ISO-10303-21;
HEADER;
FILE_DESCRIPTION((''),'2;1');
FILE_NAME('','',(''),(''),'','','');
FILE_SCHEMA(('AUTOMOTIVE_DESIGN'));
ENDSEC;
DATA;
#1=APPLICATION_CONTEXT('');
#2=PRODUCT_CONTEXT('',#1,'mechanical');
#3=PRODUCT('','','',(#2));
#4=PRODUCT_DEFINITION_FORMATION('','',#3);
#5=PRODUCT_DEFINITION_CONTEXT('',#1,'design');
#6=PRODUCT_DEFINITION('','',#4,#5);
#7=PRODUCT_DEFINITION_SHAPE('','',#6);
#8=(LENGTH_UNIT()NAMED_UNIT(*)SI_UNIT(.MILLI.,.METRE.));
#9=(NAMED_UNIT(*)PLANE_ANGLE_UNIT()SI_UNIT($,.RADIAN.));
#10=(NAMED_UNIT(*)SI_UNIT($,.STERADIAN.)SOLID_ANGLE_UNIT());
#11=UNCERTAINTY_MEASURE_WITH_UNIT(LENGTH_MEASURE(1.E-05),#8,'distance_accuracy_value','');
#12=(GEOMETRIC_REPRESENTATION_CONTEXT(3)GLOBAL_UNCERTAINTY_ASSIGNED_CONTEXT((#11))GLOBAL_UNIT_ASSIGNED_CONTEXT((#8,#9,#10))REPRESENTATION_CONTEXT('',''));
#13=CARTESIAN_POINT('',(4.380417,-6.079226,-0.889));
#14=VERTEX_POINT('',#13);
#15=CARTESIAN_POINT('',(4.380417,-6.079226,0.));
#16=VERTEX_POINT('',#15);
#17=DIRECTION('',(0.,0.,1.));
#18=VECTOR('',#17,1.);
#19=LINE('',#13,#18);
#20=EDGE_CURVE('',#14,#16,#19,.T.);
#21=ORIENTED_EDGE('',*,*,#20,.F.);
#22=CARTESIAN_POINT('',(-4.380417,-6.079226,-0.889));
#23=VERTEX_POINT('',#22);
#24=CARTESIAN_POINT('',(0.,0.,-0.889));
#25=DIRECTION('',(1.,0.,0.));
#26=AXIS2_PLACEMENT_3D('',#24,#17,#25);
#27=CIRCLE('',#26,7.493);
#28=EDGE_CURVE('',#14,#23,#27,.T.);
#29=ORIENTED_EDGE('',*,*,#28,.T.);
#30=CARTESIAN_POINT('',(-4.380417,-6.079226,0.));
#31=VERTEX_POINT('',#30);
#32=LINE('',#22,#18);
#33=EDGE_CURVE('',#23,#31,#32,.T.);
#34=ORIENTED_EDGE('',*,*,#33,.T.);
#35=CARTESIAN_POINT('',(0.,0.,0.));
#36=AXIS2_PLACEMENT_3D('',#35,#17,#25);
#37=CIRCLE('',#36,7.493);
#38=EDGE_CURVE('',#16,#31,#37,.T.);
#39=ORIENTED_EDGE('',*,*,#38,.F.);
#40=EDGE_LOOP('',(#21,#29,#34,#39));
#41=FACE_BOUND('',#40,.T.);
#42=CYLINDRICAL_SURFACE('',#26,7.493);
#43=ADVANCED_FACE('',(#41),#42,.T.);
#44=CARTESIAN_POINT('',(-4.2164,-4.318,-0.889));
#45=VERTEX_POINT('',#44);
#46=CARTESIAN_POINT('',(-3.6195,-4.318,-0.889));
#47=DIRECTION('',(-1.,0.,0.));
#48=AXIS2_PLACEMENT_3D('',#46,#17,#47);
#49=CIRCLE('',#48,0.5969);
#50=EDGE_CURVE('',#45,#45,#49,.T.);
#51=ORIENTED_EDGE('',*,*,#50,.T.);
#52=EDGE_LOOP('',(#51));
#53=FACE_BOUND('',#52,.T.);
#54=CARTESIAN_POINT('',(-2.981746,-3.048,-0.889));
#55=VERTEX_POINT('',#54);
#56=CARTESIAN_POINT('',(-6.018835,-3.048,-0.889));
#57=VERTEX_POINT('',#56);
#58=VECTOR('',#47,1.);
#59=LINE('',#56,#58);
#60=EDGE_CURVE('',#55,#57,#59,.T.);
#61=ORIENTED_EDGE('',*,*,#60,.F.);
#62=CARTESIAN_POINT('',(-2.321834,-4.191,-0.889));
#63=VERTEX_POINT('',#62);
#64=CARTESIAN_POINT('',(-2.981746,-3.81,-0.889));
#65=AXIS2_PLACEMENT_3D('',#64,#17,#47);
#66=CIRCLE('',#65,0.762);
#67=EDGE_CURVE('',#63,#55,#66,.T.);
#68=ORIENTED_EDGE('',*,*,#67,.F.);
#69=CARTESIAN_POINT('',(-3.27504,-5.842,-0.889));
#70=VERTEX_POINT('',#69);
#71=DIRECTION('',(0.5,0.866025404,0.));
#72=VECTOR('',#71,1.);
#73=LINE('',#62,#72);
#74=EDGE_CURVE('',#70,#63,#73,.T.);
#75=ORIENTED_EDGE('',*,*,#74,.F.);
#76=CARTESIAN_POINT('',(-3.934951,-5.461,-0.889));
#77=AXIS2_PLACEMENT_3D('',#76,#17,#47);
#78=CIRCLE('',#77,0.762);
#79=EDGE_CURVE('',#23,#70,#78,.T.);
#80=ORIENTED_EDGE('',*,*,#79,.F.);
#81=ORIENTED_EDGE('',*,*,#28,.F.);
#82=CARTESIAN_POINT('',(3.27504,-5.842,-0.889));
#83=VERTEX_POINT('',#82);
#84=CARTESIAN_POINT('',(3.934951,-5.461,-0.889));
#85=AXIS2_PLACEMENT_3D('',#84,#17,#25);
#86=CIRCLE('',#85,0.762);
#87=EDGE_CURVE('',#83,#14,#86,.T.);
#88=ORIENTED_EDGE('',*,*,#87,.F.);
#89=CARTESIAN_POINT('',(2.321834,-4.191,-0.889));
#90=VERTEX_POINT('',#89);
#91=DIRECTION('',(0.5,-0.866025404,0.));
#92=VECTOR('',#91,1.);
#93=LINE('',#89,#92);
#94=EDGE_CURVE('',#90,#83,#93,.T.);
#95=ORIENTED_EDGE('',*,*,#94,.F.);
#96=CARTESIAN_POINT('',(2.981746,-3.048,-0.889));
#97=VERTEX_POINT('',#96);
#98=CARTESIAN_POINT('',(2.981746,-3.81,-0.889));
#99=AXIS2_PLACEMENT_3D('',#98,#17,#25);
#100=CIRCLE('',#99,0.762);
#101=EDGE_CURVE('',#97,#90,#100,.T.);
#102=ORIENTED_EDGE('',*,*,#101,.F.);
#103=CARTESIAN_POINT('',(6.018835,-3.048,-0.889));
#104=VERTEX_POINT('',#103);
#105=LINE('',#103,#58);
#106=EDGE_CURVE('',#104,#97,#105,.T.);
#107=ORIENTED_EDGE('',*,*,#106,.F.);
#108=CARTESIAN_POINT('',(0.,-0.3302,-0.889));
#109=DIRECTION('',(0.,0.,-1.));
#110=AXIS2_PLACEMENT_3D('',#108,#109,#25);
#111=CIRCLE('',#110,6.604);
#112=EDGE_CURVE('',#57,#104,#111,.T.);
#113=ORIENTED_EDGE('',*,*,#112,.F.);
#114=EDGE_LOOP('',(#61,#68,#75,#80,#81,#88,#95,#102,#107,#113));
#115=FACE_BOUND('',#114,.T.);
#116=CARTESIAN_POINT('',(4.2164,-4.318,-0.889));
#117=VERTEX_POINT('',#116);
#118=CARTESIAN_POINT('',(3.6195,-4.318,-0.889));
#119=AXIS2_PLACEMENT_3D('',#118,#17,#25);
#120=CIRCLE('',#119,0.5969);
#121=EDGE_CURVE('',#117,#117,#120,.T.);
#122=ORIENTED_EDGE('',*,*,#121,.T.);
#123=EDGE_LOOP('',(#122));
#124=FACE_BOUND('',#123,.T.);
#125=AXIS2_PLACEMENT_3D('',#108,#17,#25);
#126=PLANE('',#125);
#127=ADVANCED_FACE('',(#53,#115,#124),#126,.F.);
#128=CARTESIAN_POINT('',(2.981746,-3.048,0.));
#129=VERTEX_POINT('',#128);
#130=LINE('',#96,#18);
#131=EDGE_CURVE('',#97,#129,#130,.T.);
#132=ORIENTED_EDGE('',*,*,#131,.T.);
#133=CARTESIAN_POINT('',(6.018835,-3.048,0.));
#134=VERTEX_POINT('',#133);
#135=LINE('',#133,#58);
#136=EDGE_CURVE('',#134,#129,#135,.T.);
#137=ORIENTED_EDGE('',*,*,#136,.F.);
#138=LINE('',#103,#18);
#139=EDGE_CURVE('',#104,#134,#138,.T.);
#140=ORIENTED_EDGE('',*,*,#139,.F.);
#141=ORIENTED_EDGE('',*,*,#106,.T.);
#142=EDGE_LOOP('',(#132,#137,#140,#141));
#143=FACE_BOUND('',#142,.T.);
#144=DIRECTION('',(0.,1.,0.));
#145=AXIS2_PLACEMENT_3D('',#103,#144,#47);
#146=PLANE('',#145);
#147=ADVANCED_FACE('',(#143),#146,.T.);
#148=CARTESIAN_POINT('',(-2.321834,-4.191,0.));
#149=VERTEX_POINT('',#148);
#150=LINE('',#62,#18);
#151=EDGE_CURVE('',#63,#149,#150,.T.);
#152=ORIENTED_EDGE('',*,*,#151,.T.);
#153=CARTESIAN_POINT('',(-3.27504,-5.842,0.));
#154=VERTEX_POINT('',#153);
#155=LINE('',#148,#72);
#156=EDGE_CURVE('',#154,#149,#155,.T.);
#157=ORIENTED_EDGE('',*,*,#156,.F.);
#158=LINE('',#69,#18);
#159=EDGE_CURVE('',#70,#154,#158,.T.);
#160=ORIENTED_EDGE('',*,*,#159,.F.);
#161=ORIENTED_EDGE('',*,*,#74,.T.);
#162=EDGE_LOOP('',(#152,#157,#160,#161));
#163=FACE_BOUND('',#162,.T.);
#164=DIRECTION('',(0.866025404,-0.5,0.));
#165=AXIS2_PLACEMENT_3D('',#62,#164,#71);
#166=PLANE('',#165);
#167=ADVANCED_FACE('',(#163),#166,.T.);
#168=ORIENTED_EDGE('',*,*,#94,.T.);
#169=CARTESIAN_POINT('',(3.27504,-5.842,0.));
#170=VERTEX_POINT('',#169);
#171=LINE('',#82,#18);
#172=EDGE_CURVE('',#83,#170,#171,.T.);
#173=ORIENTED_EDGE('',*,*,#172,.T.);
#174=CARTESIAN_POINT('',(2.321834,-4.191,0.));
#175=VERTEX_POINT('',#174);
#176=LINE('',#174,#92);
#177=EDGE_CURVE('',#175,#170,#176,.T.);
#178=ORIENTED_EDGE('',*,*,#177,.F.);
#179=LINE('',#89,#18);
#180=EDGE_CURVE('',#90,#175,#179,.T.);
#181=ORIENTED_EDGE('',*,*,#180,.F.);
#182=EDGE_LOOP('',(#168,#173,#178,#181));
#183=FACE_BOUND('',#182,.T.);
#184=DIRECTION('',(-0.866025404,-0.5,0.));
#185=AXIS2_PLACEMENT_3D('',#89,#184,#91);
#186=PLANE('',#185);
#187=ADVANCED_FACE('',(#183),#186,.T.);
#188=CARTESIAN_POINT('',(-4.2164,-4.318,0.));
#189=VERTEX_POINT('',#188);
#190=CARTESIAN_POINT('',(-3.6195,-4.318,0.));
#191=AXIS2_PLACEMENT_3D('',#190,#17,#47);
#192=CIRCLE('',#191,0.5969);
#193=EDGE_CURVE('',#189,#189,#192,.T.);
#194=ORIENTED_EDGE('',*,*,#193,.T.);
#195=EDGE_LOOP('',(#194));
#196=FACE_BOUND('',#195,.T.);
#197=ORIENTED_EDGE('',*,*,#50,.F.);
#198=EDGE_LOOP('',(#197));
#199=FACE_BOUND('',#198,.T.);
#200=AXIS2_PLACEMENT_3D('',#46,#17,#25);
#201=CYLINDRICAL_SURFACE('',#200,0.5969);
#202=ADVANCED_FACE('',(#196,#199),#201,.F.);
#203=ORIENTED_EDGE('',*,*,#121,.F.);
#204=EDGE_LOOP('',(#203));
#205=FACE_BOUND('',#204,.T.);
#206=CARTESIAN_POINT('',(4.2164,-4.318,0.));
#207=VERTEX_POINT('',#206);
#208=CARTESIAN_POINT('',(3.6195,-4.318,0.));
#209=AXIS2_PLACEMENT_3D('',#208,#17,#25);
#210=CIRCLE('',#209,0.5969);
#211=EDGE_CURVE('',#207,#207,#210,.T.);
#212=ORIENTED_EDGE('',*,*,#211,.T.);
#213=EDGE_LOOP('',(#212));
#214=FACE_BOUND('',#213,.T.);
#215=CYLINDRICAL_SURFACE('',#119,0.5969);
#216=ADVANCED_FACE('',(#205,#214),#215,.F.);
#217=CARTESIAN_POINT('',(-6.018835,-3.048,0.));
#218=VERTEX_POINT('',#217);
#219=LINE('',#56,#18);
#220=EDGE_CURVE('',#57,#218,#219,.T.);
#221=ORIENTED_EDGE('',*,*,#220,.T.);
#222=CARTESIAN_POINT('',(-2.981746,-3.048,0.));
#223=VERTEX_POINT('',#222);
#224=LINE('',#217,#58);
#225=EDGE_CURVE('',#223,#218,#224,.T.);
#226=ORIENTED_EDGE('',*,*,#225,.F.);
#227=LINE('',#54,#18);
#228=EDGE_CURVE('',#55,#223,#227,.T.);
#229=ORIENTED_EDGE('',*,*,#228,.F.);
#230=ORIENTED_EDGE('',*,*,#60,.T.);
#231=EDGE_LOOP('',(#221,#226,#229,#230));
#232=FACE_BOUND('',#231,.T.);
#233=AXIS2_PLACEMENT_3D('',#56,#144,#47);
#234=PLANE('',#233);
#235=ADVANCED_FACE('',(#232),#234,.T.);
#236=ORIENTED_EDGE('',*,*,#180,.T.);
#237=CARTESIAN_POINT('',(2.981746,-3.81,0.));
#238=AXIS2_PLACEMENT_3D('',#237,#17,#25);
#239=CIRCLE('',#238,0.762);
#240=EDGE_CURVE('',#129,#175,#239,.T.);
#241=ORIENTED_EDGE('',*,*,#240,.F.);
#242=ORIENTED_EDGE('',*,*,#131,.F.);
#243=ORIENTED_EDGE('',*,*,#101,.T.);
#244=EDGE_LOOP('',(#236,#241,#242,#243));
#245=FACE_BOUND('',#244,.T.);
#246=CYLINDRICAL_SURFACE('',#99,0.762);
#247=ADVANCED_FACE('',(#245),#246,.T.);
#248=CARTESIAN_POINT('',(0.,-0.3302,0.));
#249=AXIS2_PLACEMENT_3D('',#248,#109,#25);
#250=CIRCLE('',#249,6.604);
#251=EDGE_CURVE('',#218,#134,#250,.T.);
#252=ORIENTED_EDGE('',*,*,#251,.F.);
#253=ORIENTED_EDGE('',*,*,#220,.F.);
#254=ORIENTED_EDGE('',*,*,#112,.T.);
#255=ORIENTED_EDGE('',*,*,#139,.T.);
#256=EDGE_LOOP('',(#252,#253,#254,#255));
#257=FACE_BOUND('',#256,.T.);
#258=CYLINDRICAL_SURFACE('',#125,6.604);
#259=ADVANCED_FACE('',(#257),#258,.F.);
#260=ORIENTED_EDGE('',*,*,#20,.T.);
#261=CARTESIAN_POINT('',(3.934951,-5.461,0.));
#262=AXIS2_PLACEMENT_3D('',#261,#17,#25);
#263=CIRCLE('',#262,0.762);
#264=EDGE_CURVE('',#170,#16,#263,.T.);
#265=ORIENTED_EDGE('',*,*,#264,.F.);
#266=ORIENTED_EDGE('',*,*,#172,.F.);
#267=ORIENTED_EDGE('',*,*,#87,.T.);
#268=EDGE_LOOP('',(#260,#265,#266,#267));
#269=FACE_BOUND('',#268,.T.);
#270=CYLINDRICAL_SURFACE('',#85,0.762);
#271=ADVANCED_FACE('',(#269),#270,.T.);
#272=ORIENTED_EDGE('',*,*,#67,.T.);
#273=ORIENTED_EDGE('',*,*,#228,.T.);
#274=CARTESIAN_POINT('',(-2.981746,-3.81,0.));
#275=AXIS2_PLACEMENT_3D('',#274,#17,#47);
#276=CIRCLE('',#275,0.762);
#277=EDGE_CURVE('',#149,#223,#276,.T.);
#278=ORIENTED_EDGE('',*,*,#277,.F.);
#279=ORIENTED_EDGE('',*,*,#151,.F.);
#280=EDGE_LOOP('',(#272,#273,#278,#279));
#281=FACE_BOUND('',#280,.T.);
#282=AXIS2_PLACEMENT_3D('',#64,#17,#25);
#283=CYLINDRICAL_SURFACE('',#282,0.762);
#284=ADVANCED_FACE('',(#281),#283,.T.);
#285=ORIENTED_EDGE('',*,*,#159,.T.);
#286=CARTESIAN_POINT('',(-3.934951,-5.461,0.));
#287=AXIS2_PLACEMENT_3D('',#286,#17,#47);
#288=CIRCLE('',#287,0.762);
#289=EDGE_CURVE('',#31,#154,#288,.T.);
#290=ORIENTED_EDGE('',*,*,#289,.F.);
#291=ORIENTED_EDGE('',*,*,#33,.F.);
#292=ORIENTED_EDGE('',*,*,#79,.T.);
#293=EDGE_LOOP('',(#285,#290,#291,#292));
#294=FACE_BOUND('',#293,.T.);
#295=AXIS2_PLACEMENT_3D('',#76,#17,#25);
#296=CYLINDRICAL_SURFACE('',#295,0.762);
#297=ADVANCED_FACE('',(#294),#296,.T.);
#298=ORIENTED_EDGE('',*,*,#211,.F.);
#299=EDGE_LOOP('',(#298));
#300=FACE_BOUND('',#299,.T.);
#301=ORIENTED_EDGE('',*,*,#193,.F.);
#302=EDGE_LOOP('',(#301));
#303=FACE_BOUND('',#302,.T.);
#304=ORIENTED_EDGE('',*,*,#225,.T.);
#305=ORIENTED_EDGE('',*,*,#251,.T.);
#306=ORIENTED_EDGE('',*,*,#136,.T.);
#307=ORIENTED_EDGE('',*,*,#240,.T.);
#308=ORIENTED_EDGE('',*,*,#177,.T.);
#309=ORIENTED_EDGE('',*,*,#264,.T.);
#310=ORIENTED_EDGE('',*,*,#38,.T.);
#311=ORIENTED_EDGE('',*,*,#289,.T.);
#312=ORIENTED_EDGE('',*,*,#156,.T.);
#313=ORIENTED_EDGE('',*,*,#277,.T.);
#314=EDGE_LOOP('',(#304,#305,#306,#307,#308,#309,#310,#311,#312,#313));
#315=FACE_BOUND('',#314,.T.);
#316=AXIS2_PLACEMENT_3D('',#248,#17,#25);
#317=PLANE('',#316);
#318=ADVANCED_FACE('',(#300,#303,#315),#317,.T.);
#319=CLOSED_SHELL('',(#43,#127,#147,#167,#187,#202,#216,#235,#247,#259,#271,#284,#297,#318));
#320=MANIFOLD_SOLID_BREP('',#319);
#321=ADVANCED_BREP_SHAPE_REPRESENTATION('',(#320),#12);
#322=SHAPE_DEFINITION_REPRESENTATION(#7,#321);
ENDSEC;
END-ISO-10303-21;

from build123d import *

# Parameters (mm, degrees)
BASE_SKETCH_R = 0.5969
BASE_DEPTH    = 0.889


with BuildPart() as part:
    # Base Sketch → Base (new body)
    with BuildSketch(Plane.XY):
        with BuildLine():
            Line((-2.321834428, -4.191), (-3.275039722, -5.842))
            ThreePointArc((-3.275039722, -5.842), (-3.775058057, -6.206035718), (-4.38041724, -6.079226415))
            ThreePointArc((-4.38041724, -6.079226415), (0, 7.493), (4.38041724, -6.079226415))
            ThreePointArc((4.38041724, -6.079226415), (3.775058057, -6.206035718), (3.275039722, -5.842))
            Line((3.275039722, -5.842), (2.321834428, -4.191))
            ThreePointArc((2.321834428, -4.191), (2.321834428, -3.429), (2.981745785, -3.048))
            Line((2.981745785, -3.048), (6.018835366, -3.048))
            ThreePointArc((6.018835366, -3.048), (0, 6.2738), (-6.018835366, -3.048))
            Line((-6.018835366, -3.048), (-2.981745785, -3.048))
            ThreePointArc((-2.981745785, -3.048), (-2.321834428, -3.429), (-2.321834428, -4.191))
        make_face()
        with Locations((3.6195, -4.318)):
            Circle(BASE_SKETCH_R, mode=Mode.SUBTRACT)
        with Locations(Location((-3.6195, -4.318, 0), (0, 0, 180))):
            Circle(BASE_SKETCH_R, mode=Mode.SUBTRACT)
    extrude(amount=-BASE_DEPTH)


solid = part.part
